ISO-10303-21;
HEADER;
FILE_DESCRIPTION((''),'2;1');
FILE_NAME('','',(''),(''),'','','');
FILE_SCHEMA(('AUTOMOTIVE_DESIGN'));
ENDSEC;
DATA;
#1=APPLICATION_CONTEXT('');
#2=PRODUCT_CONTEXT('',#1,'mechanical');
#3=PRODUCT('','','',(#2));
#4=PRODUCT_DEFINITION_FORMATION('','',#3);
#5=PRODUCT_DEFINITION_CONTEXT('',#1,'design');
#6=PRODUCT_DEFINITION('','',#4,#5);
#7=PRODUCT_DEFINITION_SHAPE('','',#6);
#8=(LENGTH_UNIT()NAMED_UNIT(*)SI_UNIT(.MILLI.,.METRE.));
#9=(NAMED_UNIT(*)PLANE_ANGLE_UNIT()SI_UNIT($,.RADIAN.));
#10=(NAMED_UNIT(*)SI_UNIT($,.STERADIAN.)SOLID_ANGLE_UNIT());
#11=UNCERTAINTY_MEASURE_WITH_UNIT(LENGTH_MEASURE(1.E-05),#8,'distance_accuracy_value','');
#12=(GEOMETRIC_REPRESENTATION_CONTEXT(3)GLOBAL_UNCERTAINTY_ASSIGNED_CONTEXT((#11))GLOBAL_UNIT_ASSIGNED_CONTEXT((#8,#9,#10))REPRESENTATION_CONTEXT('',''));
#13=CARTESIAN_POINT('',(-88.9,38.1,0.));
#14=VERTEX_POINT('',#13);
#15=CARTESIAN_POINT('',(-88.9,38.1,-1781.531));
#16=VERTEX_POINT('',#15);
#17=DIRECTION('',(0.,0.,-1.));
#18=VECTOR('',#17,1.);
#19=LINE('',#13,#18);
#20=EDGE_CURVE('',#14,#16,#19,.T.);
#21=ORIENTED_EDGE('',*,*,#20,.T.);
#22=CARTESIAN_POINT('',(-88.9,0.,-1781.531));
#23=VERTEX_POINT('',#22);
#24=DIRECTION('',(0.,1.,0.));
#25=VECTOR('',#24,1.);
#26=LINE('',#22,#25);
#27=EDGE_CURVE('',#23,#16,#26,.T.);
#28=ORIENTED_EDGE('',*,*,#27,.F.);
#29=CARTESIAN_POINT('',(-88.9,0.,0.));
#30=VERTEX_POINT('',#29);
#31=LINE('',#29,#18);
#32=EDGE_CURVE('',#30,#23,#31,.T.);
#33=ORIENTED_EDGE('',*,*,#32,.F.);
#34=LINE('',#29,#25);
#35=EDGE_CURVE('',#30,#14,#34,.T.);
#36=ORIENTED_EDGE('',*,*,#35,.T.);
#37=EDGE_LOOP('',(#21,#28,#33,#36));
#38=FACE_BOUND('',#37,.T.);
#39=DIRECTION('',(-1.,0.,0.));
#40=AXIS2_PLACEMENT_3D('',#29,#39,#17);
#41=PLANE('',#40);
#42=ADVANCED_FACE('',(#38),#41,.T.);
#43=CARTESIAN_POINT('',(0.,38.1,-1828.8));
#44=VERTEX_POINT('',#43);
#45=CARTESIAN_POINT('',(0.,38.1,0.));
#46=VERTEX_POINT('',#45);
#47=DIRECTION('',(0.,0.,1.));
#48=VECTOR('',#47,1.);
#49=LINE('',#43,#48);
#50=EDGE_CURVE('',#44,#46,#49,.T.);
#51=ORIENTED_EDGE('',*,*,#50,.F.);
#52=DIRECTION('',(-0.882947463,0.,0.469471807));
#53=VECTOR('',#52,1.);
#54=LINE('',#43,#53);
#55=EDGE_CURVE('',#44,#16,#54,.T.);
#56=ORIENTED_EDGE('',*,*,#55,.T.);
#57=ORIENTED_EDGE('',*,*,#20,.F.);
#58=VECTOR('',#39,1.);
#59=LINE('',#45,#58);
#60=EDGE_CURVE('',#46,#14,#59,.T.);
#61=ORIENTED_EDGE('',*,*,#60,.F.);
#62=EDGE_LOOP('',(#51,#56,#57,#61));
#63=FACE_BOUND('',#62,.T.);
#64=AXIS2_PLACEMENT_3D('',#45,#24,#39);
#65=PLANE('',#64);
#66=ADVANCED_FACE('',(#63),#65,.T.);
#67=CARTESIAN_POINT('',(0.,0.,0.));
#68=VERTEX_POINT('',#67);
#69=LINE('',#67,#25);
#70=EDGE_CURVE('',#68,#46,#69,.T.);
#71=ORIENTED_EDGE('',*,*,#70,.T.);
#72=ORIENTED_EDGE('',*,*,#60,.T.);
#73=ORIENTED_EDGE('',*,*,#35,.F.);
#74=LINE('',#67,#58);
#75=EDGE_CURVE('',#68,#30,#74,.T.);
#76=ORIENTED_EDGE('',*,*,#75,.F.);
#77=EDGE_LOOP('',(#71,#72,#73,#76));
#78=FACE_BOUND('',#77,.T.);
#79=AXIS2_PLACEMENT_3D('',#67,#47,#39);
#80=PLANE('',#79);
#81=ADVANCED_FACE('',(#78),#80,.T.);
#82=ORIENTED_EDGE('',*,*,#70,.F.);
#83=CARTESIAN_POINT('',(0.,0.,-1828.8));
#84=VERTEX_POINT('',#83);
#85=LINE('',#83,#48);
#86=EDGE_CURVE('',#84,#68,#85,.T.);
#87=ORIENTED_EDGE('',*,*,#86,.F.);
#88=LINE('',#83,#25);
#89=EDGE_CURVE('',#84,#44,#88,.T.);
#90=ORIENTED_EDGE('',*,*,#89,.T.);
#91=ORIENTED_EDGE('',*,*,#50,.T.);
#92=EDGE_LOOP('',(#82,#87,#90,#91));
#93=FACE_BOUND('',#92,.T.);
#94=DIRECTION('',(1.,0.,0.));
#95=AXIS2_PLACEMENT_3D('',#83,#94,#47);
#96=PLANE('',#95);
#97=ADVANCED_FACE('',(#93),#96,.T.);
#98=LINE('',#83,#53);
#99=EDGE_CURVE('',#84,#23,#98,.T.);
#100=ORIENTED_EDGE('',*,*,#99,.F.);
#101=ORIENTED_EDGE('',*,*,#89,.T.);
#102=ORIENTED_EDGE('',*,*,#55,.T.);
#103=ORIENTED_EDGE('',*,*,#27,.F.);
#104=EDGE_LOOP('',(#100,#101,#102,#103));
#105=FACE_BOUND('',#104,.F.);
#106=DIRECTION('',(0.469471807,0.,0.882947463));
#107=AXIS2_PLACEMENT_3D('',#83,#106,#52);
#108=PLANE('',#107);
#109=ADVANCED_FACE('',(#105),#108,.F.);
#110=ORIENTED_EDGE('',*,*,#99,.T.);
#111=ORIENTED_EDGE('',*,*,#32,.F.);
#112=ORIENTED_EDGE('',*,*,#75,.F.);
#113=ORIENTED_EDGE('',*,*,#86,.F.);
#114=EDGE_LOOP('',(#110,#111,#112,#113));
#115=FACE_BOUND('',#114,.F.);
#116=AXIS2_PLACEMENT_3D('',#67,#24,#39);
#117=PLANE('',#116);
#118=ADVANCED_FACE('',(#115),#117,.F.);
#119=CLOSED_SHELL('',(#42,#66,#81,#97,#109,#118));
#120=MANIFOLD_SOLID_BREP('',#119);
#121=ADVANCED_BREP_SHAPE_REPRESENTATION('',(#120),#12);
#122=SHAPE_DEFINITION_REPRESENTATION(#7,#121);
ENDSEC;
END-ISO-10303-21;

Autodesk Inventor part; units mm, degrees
ref_plane "YZ Plane" through (0, 0, 0) normal (1, 0, 0) x (0, 1, 0)
ref_plane "XZ Plane" through (0, 0, 0) normal (0, 1, 0) x (-1, 0, 0)
ref_plane "XY Plane" through (0, 0, 0) normal (0, 0, 1) x (1, 0, 0)
sketch "Sketch1" plane through (0, 0, 0) normal (0, 1, 0) x (-1, 0, 0)
  line L0 (0, 0) -> (88.9, 0)
  line L1 (88.9, 0) -> (88.9, -1781.531)
  line L2 (0, -1828.8) -> (0, 0)
  line L3 (0, -1828.8) -> (88.9, -1781.531)
extrude "Extrusion1" add sketch "Sketch1" along normal blind 38.1
properties part number "S_2x4x72"
